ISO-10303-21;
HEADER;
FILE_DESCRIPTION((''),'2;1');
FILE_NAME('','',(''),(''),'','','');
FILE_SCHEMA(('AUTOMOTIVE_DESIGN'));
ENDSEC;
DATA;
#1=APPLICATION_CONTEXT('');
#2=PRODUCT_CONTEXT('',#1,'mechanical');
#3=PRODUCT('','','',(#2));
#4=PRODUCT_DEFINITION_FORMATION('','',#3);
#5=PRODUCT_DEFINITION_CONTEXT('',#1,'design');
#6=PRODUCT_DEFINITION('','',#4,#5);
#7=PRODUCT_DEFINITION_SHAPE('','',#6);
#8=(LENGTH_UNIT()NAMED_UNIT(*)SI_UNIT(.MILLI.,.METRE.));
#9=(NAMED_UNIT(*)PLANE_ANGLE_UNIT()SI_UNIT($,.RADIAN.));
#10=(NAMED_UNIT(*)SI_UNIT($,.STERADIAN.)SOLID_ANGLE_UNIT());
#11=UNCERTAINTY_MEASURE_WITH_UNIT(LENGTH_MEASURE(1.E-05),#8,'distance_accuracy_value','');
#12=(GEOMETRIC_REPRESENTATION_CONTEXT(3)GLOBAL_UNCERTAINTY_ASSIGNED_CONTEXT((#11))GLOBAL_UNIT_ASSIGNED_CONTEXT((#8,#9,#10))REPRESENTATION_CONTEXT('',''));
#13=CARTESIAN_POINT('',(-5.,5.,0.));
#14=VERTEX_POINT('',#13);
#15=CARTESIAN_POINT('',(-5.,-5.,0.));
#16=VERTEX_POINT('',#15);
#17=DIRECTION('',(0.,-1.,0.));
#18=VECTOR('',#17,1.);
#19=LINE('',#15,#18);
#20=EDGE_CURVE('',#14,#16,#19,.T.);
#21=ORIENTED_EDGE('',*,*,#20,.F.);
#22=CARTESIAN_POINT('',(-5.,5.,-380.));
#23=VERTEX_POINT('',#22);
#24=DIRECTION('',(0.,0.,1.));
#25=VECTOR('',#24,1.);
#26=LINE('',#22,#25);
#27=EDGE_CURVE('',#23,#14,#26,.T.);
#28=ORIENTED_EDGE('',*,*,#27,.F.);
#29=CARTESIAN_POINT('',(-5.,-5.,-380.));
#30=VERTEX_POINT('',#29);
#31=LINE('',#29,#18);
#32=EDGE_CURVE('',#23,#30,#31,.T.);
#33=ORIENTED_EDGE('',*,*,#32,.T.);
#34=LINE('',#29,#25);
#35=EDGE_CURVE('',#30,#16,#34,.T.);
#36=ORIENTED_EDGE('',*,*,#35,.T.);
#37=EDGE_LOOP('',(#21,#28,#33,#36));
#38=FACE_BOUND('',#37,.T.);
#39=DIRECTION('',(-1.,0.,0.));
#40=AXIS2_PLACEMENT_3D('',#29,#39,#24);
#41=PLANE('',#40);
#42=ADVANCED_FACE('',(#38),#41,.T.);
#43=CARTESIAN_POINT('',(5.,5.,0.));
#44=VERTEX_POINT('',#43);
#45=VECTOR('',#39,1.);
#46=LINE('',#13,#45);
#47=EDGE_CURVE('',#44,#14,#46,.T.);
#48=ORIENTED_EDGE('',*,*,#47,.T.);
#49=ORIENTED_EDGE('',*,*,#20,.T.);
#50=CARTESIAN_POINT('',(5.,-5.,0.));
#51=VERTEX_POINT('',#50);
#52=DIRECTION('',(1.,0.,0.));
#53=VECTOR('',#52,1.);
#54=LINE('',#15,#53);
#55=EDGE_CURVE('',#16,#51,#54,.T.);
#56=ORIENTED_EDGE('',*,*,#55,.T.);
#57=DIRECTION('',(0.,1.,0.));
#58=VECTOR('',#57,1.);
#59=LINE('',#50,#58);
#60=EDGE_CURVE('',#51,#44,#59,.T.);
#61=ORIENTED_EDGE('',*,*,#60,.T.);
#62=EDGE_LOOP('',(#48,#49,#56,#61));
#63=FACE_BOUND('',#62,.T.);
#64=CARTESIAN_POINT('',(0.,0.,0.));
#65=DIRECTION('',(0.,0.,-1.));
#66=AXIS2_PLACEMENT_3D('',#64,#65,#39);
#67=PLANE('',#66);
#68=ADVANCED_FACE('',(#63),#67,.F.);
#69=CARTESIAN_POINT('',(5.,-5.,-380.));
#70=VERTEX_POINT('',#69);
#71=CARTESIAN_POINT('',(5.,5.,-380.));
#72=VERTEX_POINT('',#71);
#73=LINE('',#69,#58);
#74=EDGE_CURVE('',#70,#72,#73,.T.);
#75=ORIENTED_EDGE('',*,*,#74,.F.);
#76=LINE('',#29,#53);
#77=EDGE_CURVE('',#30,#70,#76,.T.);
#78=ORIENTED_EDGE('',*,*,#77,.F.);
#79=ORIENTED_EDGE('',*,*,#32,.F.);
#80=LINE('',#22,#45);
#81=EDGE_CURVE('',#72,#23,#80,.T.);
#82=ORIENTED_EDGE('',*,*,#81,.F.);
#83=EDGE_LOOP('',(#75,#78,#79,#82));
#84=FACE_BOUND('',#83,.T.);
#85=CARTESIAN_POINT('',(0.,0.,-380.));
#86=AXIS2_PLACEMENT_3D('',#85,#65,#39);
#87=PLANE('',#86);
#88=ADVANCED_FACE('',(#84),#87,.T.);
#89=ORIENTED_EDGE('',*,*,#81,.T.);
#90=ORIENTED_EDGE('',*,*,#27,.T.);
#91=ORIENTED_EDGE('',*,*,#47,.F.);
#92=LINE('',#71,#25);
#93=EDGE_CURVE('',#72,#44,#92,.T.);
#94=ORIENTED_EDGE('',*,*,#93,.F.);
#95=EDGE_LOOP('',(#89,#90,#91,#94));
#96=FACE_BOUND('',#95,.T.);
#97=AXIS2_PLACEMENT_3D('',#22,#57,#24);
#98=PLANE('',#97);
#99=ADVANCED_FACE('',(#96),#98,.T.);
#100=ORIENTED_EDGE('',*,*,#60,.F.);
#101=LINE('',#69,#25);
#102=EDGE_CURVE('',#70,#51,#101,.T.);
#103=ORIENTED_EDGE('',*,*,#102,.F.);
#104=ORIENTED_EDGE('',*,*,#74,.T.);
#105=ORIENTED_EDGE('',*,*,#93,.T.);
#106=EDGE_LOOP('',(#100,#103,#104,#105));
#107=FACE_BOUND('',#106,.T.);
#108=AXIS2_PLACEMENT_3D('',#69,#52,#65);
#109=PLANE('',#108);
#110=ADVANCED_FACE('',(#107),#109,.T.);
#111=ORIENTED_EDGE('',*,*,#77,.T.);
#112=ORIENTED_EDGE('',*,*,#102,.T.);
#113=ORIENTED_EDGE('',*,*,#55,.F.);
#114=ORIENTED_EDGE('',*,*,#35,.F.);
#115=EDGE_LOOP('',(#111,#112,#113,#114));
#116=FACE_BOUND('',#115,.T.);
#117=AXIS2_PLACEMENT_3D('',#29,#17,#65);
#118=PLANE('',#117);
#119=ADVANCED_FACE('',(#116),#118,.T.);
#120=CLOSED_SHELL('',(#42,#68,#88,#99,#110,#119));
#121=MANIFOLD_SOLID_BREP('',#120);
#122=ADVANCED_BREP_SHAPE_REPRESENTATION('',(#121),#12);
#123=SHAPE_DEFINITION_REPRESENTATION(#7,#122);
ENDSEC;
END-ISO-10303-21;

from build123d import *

# Parameters (mm, degrees)
SKETCH1_W           = 10
SKETCH1_H           = 10
BOSS_EXTRUDE1_DEPTH = 380


with BuildPart() as part:
    # Sketch1 → Boss-Extrude1 (new body)
    with BuildSketch(Plane.XY):
        Rectangle(SKETCH1_W, SKETCH1_H)
    extrude(amount=-BOSS_EXTRUDE1_DEPTH)


solid = part.part
